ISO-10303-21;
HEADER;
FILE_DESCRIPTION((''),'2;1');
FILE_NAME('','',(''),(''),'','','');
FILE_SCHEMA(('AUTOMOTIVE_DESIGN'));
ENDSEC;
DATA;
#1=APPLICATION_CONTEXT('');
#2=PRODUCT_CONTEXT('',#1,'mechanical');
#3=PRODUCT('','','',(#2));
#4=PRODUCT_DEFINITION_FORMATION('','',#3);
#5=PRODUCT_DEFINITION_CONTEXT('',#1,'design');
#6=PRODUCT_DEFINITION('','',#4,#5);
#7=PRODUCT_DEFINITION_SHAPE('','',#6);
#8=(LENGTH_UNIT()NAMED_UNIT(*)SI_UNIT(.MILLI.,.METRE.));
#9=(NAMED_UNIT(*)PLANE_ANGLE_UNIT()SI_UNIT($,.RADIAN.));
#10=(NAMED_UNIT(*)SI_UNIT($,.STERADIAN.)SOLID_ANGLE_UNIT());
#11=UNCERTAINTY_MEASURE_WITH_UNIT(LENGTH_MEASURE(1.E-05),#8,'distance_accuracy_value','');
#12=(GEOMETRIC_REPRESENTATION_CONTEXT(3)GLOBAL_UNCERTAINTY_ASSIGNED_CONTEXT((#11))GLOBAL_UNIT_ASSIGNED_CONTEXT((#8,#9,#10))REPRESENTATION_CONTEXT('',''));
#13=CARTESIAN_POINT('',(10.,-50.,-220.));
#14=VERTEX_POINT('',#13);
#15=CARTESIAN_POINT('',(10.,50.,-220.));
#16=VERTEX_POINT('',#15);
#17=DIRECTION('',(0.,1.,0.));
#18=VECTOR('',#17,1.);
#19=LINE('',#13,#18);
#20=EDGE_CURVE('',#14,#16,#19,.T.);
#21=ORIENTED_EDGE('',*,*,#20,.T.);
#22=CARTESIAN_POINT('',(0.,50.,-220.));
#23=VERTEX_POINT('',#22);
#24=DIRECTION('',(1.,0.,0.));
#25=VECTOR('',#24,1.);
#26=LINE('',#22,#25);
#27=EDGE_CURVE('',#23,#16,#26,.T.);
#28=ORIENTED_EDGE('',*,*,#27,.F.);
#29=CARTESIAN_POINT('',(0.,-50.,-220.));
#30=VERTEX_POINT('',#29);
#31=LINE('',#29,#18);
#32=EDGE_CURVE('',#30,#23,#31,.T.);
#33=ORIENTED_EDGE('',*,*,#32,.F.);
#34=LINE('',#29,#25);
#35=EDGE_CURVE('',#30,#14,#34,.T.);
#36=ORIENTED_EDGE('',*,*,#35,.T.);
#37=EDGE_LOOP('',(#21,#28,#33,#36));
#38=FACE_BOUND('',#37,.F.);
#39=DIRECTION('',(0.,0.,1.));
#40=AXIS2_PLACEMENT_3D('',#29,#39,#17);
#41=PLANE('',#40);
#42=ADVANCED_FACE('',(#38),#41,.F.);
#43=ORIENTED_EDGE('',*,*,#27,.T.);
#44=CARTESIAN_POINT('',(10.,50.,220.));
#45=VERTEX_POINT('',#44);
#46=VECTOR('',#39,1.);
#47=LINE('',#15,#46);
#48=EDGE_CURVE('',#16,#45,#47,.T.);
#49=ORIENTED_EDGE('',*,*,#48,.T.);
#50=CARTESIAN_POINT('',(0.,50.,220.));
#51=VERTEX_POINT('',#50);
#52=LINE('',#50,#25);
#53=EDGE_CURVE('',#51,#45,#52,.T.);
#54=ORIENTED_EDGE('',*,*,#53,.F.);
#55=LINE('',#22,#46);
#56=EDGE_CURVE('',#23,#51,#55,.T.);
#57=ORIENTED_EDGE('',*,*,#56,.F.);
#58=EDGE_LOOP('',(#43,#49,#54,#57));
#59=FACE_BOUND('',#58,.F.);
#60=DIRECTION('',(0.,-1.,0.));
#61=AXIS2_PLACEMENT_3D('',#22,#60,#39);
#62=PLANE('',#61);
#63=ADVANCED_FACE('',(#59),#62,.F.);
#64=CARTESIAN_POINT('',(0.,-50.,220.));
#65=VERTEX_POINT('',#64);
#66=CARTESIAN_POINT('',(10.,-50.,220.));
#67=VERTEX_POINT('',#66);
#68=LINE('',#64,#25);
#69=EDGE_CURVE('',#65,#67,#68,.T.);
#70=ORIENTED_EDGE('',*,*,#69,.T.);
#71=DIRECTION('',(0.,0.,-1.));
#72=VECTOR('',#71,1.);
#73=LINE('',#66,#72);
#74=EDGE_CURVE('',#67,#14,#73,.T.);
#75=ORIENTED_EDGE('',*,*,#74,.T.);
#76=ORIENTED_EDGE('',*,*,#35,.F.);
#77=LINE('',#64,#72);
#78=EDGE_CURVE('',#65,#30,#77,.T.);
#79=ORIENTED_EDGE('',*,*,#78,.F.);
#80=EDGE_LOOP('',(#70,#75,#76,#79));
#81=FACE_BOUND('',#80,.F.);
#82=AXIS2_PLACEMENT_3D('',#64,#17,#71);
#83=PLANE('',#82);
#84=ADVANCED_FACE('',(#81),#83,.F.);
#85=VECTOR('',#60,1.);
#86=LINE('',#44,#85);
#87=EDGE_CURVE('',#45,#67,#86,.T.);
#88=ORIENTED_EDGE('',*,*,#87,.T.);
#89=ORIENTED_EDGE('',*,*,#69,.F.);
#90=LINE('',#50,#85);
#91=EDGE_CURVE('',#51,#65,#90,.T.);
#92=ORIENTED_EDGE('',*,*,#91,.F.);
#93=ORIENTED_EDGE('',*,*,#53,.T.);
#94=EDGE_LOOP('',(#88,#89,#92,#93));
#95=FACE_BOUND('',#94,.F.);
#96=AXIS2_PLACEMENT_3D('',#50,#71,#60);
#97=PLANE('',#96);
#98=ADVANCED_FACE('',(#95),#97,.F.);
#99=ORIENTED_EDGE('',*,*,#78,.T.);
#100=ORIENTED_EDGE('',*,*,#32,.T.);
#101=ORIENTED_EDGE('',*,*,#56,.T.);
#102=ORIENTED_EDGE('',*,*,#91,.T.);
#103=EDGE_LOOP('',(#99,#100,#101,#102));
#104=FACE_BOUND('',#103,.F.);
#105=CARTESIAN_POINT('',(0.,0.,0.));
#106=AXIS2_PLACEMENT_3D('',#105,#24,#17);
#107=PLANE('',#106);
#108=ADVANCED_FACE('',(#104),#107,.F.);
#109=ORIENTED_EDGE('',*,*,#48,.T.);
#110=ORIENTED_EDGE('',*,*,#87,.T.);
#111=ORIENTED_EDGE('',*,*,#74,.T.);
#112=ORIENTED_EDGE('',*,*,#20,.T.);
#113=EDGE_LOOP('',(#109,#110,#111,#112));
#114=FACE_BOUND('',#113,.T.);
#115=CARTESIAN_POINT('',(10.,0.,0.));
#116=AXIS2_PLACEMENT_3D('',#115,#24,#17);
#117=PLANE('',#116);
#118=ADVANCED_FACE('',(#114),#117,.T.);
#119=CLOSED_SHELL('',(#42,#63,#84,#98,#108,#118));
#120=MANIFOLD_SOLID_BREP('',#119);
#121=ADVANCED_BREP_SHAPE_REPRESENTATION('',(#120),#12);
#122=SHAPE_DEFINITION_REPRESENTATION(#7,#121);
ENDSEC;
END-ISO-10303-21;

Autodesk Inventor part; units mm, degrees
ref_plane "YZ Plane" through (0, 0, 0) normal (1, 0, 0) x (0, 1, 0)
ref_plane "XZ Plane" through (0, 0, 0) normal (0, 1, 0) x (-1, 0, 0)
ref_plane "XY Plane" through (0, 0, 0) normal (0, 0, 1) x (1, 0, 0)
sketch "Skizze1" plane through (0, 0, 0) normal (1, 0, 0) x (0, 1, 0)
  line L0 (-50, -220) -> (50, -220)
  line L1 (50, -220) -> (50, 220)
  line L2 (50, 220) -> (-50, 220)
  line L3 (-50, 220) -> (-50, -220)
  line L4 (-50, -220) -> (50, 220) construction
  line L5 (50, -220) -> (-50, 220) construction
  point P0 (0, 0)
  dimension "d0" = 100
  dimension "d1" = 440
extrude "Extrusion1" add sketch "Skizze1" along normal blind 10
properties part number "Grundfläche"
